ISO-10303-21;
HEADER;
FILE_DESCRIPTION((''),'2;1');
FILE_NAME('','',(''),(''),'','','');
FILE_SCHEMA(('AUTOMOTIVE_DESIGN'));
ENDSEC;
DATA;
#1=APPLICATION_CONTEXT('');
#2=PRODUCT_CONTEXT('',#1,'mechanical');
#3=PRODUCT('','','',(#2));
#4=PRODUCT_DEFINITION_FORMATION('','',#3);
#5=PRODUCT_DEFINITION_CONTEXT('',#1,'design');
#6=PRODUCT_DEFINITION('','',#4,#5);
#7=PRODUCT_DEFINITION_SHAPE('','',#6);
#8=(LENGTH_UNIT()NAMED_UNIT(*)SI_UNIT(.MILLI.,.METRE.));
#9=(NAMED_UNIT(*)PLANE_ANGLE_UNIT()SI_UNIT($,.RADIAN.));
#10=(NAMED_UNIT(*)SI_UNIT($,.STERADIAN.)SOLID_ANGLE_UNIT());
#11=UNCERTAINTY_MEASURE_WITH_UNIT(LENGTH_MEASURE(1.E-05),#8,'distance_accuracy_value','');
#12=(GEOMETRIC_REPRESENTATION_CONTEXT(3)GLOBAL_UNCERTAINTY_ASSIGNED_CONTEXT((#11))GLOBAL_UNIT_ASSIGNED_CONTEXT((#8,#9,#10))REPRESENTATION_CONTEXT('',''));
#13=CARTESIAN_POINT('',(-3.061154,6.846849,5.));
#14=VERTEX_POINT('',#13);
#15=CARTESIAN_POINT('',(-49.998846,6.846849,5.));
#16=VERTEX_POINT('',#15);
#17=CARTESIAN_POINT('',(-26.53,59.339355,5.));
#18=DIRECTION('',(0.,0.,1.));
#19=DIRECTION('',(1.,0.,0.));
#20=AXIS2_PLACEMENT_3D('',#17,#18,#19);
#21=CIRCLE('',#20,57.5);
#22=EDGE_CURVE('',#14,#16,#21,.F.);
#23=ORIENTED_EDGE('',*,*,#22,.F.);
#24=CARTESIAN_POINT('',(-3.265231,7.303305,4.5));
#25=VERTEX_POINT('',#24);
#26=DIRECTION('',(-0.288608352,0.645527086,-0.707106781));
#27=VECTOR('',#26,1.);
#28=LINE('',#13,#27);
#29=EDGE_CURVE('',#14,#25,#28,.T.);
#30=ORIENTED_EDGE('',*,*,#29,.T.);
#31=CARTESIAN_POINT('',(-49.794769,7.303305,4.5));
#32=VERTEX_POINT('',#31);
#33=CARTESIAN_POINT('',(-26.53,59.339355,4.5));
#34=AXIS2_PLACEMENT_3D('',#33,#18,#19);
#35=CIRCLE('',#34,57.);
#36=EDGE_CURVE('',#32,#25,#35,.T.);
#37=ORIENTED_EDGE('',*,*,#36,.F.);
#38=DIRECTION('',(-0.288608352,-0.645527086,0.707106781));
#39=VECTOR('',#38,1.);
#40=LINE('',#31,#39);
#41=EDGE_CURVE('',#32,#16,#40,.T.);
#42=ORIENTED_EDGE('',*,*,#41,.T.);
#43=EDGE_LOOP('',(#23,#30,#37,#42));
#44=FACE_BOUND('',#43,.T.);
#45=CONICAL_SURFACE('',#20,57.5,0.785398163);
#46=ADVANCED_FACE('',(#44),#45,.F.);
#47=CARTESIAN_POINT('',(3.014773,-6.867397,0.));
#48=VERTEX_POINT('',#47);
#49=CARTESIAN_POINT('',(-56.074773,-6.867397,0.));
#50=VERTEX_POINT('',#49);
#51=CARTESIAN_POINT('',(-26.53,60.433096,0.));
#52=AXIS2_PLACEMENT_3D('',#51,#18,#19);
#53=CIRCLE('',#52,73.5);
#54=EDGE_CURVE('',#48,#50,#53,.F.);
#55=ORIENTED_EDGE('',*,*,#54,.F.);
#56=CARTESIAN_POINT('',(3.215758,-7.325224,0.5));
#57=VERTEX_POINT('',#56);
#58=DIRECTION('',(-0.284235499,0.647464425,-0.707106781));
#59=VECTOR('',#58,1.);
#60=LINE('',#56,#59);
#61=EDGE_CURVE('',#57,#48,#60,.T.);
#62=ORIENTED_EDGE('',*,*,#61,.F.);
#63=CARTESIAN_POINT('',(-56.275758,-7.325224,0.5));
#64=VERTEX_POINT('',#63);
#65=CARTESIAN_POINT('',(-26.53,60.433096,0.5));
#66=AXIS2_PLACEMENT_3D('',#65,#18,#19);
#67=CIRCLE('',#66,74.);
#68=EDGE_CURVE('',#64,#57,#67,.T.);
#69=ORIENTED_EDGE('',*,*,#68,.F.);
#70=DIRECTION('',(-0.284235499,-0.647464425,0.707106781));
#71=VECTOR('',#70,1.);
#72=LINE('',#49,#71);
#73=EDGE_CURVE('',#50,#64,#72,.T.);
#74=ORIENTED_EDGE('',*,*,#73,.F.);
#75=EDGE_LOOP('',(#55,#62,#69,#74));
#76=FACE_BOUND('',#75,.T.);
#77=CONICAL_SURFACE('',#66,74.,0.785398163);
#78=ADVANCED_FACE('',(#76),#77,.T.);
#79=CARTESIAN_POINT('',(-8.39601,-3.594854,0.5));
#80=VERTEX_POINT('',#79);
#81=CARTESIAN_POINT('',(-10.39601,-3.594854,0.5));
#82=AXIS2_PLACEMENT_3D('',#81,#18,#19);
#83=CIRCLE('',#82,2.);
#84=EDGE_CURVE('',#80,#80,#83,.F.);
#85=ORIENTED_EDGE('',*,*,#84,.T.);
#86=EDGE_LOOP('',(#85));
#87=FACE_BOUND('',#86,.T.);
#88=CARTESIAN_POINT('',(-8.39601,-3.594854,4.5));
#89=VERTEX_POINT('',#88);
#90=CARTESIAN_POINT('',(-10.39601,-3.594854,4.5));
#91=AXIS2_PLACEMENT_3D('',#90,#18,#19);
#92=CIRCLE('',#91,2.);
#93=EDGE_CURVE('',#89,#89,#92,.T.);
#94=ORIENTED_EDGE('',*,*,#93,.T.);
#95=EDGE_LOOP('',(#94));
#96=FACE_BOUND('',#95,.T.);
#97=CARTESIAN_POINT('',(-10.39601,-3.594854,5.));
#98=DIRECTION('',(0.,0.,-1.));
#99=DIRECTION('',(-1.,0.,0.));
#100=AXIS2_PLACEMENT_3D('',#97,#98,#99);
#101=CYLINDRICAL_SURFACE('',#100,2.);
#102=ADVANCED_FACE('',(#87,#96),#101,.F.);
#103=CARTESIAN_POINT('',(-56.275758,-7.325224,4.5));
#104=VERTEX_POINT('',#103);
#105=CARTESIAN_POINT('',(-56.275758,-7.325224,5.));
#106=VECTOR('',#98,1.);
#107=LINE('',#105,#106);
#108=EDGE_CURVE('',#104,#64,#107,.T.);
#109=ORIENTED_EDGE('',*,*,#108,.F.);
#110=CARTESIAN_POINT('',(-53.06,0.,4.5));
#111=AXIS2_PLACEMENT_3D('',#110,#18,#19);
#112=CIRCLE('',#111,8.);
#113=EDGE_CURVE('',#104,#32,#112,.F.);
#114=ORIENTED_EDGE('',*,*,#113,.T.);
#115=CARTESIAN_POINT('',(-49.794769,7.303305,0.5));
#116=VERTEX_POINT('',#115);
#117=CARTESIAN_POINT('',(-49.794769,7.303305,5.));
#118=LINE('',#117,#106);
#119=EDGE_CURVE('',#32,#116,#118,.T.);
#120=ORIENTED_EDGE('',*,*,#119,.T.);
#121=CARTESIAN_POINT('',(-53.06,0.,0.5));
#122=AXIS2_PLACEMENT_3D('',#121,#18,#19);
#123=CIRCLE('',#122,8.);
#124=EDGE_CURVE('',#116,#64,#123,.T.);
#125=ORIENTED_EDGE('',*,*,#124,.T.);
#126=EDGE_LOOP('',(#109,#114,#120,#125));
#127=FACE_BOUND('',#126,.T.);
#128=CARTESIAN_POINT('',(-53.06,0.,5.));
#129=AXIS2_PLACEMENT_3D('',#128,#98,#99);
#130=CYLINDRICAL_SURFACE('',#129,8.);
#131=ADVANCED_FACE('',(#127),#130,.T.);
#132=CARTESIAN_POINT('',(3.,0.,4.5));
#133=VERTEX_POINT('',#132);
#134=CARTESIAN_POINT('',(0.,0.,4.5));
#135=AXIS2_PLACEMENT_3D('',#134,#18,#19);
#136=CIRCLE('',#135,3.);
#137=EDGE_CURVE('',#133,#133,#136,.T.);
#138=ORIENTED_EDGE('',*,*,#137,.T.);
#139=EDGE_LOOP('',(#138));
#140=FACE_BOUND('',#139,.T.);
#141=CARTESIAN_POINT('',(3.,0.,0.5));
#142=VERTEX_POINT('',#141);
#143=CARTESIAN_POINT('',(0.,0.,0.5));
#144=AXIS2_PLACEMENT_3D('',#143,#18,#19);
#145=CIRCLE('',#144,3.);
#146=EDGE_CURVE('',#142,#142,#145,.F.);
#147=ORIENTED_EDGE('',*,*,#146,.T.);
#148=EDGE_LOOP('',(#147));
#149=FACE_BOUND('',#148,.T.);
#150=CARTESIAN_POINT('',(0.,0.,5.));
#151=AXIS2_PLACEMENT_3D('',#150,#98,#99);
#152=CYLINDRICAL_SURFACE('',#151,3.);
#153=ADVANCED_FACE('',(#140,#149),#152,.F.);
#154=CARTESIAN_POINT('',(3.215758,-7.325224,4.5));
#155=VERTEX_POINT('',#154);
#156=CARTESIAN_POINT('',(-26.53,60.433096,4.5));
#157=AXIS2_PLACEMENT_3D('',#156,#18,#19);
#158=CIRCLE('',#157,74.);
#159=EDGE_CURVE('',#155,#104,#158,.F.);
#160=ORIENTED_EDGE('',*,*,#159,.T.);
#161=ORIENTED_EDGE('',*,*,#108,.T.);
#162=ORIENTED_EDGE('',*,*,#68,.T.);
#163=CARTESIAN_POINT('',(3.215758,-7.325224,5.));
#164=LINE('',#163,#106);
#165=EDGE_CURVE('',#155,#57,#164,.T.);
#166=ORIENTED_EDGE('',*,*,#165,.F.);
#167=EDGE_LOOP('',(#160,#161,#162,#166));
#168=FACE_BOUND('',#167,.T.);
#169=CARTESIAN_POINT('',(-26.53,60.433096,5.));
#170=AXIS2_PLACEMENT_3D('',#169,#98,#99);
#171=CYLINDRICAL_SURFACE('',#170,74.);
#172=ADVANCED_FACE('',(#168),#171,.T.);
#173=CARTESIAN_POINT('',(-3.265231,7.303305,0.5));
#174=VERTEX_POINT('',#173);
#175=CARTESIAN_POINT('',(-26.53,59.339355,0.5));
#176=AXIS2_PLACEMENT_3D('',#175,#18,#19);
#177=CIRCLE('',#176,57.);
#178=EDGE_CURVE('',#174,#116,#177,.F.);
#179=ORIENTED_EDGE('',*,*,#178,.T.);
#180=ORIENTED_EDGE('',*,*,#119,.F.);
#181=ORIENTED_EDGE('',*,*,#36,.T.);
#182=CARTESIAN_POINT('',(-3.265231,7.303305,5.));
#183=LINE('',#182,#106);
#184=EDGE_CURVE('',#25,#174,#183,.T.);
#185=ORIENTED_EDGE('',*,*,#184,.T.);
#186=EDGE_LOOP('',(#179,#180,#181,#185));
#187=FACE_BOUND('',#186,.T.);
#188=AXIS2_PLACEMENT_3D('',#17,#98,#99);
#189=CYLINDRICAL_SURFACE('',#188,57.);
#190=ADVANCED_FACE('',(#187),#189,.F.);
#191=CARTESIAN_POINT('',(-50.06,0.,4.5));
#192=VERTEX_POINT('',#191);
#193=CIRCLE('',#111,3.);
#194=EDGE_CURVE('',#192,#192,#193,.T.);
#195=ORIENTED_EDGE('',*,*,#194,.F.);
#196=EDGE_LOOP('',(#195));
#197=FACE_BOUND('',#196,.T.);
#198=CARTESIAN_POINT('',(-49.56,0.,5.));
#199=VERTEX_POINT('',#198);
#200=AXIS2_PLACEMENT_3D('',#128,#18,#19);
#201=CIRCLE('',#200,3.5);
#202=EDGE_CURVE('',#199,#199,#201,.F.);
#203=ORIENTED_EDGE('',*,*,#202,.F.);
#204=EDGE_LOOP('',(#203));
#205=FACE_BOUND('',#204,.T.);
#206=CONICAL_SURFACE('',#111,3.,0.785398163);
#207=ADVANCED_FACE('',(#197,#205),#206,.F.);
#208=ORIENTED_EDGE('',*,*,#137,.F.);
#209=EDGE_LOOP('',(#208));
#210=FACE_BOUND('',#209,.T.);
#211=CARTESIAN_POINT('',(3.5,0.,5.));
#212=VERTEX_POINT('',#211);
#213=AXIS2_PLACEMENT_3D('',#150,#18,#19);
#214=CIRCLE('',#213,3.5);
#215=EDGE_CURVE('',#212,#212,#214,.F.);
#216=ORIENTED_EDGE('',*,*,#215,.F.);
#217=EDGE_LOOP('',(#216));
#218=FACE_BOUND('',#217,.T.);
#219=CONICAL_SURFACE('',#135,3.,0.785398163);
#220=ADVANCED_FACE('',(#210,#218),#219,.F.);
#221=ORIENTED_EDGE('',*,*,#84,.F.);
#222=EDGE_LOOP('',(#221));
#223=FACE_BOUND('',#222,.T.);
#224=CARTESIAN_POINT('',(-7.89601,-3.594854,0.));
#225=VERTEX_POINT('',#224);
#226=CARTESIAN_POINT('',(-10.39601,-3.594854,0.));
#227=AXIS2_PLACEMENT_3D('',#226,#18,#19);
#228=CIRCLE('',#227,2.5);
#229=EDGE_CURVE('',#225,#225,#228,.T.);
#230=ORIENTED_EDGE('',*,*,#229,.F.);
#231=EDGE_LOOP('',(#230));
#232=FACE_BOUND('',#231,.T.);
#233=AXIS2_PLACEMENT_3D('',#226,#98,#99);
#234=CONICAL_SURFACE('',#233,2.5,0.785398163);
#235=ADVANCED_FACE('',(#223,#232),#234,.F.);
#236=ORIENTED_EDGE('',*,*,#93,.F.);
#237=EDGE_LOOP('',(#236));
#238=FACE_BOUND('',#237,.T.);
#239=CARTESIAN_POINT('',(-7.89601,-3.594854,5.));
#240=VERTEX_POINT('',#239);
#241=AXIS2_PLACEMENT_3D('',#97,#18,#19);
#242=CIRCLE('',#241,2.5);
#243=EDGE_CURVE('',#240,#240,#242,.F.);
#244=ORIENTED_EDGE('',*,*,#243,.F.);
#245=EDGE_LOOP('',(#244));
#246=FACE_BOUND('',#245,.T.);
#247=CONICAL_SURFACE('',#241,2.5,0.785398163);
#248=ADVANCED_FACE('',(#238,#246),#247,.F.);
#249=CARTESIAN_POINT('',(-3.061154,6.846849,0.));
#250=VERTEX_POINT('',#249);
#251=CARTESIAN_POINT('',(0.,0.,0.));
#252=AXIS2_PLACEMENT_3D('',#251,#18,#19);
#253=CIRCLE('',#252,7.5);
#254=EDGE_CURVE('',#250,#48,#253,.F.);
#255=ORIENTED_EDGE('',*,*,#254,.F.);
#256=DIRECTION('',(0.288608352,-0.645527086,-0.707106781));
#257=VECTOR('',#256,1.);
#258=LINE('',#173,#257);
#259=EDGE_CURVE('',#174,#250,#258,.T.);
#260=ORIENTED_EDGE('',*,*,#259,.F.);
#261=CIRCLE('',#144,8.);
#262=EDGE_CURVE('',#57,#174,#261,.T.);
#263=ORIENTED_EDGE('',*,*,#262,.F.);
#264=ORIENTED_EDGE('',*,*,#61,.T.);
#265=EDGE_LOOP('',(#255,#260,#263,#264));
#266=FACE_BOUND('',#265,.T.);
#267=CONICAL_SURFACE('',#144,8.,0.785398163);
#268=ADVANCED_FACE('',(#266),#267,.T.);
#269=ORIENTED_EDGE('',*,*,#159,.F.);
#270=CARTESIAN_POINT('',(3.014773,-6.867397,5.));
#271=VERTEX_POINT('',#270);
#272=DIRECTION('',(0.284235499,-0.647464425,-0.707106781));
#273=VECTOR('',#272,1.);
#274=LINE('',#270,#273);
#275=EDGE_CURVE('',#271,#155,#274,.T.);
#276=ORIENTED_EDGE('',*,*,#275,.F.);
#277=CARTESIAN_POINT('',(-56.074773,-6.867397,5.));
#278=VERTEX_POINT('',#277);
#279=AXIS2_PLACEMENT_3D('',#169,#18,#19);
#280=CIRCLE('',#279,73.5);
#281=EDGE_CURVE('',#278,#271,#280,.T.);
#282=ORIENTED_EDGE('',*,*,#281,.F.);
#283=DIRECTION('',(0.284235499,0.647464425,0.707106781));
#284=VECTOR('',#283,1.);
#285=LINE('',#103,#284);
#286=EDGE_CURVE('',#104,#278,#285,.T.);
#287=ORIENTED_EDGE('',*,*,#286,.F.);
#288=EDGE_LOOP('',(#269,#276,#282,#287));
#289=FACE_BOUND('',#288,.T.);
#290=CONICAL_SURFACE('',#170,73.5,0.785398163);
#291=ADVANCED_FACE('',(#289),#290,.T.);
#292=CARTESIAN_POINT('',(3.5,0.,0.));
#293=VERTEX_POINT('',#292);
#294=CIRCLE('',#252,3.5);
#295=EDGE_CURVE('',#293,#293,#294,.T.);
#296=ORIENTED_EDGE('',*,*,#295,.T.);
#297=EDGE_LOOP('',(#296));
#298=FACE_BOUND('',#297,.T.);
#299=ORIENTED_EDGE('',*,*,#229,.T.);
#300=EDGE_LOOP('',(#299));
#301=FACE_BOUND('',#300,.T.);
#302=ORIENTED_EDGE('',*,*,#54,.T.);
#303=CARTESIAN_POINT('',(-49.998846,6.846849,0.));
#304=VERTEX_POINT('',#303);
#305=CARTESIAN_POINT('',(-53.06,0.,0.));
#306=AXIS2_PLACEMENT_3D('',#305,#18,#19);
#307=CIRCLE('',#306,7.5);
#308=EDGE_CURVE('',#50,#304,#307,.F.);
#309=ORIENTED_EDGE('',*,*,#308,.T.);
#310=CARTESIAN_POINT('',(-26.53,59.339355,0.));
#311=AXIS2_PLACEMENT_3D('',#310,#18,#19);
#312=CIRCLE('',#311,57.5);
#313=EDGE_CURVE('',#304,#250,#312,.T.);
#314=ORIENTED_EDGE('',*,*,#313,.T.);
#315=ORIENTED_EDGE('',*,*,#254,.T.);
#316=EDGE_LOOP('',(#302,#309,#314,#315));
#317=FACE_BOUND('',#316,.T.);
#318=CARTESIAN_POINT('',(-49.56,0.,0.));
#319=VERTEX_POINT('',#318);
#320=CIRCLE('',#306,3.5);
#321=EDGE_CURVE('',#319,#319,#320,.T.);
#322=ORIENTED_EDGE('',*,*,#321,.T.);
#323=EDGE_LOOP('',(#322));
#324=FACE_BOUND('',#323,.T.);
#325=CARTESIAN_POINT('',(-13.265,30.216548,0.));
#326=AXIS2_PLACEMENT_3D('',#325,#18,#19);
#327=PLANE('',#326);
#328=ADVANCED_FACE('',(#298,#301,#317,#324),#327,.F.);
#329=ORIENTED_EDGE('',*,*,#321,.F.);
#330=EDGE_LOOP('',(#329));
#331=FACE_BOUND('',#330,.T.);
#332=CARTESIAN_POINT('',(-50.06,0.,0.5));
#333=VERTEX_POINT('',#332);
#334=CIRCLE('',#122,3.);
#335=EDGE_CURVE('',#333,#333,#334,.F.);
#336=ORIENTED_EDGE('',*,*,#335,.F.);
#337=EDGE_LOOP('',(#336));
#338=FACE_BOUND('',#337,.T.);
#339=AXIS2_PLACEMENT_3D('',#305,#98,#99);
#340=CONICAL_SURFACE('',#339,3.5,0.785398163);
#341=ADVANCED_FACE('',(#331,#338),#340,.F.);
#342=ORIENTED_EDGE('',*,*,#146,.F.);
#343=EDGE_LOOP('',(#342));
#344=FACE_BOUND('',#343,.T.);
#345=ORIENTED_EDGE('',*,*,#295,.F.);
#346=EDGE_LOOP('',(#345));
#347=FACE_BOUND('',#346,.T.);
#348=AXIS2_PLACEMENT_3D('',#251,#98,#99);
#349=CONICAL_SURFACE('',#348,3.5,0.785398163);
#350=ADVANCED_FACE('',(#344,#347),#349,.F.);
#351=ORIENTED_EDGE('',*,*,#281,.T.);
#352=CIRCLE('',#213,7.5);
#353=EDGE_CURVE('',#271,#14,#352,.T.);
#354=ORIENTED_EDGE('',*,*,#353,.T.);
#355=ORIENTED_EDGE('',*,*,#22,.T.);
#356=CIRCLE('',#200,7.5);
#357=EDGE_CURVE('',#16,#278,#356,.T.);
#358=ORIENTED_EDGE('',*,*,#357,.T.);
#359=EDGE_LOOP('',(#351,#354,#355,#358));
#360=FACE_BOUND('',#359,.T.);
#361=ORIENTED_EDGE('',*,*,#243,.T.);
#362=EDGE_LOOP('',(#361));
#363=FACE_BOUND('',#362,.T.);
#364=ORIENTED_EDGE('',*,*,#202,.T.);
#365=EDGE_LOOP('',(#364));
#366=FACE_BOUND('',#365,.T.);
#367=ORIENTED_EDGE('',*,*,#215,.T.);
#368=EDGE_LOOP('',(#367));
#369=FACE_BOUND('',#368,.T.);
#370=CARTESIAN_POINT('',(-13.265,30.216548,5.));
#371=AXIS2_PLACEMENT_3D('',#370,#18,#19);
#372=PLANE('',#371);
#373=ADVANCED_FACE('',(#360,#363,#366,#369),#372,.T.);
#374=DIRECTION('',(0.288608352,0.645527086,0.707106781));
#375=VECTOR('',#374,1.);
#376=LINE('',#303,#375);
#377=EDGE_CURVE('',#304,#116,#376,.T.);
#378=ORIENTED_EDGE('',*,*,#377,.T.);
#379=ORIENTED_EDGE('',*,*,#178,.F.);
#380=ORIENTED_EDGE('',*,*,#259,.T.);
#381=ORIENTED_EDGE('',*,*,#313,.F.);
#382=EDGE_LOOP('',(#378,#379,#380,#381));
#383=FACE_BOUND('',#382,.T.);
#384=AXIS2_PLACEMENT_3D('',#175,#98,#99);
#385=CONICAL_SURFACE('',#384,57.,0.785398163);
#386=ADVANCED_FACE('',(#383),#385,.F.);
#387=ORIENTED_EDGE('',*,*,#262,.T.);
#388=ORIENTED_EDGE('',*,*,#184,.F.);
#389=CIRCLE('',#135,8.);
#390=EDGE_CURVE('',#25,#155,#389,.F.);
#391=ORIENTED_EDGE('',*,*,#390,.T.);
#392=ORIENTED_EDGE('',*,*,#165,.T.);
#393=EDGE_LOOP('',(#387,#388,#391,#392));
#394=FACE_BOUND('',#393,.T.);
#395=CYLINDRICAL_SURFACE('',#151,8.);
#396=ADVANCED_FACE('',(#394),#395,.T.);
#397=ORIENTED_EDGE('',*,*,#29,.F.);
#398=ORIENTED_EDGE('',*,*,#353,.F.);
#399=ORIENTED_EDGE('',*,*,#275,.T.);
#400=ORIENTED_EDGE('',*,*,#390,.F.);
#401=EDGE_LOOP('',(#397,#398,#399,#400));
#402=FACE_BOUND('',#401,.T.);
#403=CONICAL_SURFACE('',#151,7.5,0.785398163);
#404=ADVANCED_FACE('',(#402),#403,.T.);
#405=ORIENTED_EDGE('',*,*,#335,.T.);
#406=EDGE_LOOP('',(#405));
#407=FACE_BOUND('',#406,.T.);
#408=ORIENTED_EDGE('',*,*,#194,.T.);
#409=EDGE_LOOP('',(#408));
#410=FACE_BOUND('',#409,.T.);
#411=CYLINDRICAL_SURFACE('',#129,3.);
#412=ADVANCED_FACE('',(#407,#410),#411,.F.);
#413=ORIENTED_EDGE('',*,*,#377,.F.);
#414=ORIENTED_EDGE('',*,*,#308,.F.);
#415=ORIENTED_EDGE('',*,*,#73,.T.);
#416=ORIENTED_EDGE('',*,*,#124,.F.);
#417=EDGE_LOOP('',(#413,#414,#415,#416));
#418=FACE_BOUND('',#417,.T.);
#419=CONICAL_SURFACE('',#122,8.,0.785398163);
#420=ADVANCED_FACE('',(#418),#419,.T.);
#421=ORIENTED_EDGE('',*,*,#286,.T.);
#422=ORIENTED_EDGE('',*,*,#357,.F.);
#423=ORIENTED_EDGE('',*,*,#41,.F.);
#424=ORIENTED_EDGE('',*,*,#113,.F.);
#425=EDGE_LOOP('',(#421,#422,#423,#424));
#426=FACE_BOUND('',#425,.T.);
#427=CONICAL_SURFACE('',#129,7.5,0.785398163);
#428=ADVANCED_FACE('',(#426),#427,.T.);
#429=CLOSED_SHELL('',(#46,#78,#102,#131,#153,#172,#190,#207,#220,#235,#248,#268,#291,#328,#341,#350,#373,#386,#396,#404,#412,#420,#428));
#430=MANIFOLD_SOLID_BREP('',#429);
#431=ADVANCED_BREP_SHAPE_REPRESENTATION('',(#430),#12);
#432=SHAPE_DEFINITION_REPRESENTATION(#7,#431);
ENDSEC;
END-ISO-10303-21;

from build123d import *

# Parameters (mm, degrees)
SKETCH_1_R               = 3
EXTRUDE_1_DEPTH          = 5
CHAMFER_1_SIZE           = 0.5
SKETCH_2_R               = 2
CUT_EXTRUDE_1_DEPTH      = 1
CUT_EXTRUDE_1_DEPTH_BACK = 6
CHAMFER_2_SIZE           = 0.5


with BuildPart() as part:
    # 草图1 → 凸台-拉伸1 (new body)
    with BuildSketch(Plane.XY):
        with BuildLine():
            ThreePointArc((-56.275757576, -7.325223765), (-60.374306352, 3.240512704), (-49.794769231, 7.303305281))
            ThreePointArc((-49.794769231, 7.303305281), (-26.53, 2.339355406), (-3.265230769, 7.303305281))
            ThreePointArc((-3.265230769, 7.303305281), (7.314306352, 3.240512704), (3.215757576, -7.325223765))
            ThreePointArc((3.215757576, -7.325223765), (-26.53, -13.566903935), (-56.275757576, -7.325223765))
        make_face()
        Circle(SKETCH_1_R, mode=Mode.SUBTRACT)
        with Locations((-53.06, 0)):
            Circle(SKETCH_1_R, mode=Mode.SUBTRACT)
    extrude(amount=EXTRUDE_1_DEPTH)

    # 倒角1
    chamfer_1_edges = [part.edges().sort_by_distance(p)[0] for p in [
        (-3, 0, 0),
        (-3, 0, 5),
        (-26.53, 2.339355406, 5),
        (-56.06, 0, 0),
        (-56.06, 0, 5),
        (-60.374306352, 3.240512704, 5),
        (-26.53, -13.566903935, 5),
        (-60.374306352, 3.240512704, 0),
        (-26.53, 2.339355406, 0),
        (7.314306352, 3.240512704, 0),
        (-26.53, -13.566903935, 0),
        (7.314306352, 3.240512704, 5),
    ]]
    chamfer(chamfer_1_edges, length=CHAMFER_1_SIZE)

    # 草图2 → 切除-拉伸1 (cut, two sides)
    with BuildSketch(Plane(origin=(0, 0, 0), x_dir=(-1, 0, 0), z_dir=(0, 0, -1))) as cut_extrude_1_sk:
        with Locations((10.396009946, -3.594854266)):
            Circle(SKETCH_2_R)
    extrude(amount=CUT_EXTRUDE_1_DEPTH, mode=Mode.SUBTRACT)
    extrude(cut_extrude_1_sk.sketch, amount=-CUT_EXTRUDE_1_DEPTH_BACK, mode=Mode.SUBTRACT)

    # 倒角2
    chamfer_2_edges = [part.edges().sort_by_distance(p)[0] for p in [
        (-8.396009946, -3.594854266, 5),
        (-8.396009946, -3.594854266, 0),
    ]]
    chamfer(chamfer_2_edges, length=CHAMFER_2_SIZE)


solid = part.part
